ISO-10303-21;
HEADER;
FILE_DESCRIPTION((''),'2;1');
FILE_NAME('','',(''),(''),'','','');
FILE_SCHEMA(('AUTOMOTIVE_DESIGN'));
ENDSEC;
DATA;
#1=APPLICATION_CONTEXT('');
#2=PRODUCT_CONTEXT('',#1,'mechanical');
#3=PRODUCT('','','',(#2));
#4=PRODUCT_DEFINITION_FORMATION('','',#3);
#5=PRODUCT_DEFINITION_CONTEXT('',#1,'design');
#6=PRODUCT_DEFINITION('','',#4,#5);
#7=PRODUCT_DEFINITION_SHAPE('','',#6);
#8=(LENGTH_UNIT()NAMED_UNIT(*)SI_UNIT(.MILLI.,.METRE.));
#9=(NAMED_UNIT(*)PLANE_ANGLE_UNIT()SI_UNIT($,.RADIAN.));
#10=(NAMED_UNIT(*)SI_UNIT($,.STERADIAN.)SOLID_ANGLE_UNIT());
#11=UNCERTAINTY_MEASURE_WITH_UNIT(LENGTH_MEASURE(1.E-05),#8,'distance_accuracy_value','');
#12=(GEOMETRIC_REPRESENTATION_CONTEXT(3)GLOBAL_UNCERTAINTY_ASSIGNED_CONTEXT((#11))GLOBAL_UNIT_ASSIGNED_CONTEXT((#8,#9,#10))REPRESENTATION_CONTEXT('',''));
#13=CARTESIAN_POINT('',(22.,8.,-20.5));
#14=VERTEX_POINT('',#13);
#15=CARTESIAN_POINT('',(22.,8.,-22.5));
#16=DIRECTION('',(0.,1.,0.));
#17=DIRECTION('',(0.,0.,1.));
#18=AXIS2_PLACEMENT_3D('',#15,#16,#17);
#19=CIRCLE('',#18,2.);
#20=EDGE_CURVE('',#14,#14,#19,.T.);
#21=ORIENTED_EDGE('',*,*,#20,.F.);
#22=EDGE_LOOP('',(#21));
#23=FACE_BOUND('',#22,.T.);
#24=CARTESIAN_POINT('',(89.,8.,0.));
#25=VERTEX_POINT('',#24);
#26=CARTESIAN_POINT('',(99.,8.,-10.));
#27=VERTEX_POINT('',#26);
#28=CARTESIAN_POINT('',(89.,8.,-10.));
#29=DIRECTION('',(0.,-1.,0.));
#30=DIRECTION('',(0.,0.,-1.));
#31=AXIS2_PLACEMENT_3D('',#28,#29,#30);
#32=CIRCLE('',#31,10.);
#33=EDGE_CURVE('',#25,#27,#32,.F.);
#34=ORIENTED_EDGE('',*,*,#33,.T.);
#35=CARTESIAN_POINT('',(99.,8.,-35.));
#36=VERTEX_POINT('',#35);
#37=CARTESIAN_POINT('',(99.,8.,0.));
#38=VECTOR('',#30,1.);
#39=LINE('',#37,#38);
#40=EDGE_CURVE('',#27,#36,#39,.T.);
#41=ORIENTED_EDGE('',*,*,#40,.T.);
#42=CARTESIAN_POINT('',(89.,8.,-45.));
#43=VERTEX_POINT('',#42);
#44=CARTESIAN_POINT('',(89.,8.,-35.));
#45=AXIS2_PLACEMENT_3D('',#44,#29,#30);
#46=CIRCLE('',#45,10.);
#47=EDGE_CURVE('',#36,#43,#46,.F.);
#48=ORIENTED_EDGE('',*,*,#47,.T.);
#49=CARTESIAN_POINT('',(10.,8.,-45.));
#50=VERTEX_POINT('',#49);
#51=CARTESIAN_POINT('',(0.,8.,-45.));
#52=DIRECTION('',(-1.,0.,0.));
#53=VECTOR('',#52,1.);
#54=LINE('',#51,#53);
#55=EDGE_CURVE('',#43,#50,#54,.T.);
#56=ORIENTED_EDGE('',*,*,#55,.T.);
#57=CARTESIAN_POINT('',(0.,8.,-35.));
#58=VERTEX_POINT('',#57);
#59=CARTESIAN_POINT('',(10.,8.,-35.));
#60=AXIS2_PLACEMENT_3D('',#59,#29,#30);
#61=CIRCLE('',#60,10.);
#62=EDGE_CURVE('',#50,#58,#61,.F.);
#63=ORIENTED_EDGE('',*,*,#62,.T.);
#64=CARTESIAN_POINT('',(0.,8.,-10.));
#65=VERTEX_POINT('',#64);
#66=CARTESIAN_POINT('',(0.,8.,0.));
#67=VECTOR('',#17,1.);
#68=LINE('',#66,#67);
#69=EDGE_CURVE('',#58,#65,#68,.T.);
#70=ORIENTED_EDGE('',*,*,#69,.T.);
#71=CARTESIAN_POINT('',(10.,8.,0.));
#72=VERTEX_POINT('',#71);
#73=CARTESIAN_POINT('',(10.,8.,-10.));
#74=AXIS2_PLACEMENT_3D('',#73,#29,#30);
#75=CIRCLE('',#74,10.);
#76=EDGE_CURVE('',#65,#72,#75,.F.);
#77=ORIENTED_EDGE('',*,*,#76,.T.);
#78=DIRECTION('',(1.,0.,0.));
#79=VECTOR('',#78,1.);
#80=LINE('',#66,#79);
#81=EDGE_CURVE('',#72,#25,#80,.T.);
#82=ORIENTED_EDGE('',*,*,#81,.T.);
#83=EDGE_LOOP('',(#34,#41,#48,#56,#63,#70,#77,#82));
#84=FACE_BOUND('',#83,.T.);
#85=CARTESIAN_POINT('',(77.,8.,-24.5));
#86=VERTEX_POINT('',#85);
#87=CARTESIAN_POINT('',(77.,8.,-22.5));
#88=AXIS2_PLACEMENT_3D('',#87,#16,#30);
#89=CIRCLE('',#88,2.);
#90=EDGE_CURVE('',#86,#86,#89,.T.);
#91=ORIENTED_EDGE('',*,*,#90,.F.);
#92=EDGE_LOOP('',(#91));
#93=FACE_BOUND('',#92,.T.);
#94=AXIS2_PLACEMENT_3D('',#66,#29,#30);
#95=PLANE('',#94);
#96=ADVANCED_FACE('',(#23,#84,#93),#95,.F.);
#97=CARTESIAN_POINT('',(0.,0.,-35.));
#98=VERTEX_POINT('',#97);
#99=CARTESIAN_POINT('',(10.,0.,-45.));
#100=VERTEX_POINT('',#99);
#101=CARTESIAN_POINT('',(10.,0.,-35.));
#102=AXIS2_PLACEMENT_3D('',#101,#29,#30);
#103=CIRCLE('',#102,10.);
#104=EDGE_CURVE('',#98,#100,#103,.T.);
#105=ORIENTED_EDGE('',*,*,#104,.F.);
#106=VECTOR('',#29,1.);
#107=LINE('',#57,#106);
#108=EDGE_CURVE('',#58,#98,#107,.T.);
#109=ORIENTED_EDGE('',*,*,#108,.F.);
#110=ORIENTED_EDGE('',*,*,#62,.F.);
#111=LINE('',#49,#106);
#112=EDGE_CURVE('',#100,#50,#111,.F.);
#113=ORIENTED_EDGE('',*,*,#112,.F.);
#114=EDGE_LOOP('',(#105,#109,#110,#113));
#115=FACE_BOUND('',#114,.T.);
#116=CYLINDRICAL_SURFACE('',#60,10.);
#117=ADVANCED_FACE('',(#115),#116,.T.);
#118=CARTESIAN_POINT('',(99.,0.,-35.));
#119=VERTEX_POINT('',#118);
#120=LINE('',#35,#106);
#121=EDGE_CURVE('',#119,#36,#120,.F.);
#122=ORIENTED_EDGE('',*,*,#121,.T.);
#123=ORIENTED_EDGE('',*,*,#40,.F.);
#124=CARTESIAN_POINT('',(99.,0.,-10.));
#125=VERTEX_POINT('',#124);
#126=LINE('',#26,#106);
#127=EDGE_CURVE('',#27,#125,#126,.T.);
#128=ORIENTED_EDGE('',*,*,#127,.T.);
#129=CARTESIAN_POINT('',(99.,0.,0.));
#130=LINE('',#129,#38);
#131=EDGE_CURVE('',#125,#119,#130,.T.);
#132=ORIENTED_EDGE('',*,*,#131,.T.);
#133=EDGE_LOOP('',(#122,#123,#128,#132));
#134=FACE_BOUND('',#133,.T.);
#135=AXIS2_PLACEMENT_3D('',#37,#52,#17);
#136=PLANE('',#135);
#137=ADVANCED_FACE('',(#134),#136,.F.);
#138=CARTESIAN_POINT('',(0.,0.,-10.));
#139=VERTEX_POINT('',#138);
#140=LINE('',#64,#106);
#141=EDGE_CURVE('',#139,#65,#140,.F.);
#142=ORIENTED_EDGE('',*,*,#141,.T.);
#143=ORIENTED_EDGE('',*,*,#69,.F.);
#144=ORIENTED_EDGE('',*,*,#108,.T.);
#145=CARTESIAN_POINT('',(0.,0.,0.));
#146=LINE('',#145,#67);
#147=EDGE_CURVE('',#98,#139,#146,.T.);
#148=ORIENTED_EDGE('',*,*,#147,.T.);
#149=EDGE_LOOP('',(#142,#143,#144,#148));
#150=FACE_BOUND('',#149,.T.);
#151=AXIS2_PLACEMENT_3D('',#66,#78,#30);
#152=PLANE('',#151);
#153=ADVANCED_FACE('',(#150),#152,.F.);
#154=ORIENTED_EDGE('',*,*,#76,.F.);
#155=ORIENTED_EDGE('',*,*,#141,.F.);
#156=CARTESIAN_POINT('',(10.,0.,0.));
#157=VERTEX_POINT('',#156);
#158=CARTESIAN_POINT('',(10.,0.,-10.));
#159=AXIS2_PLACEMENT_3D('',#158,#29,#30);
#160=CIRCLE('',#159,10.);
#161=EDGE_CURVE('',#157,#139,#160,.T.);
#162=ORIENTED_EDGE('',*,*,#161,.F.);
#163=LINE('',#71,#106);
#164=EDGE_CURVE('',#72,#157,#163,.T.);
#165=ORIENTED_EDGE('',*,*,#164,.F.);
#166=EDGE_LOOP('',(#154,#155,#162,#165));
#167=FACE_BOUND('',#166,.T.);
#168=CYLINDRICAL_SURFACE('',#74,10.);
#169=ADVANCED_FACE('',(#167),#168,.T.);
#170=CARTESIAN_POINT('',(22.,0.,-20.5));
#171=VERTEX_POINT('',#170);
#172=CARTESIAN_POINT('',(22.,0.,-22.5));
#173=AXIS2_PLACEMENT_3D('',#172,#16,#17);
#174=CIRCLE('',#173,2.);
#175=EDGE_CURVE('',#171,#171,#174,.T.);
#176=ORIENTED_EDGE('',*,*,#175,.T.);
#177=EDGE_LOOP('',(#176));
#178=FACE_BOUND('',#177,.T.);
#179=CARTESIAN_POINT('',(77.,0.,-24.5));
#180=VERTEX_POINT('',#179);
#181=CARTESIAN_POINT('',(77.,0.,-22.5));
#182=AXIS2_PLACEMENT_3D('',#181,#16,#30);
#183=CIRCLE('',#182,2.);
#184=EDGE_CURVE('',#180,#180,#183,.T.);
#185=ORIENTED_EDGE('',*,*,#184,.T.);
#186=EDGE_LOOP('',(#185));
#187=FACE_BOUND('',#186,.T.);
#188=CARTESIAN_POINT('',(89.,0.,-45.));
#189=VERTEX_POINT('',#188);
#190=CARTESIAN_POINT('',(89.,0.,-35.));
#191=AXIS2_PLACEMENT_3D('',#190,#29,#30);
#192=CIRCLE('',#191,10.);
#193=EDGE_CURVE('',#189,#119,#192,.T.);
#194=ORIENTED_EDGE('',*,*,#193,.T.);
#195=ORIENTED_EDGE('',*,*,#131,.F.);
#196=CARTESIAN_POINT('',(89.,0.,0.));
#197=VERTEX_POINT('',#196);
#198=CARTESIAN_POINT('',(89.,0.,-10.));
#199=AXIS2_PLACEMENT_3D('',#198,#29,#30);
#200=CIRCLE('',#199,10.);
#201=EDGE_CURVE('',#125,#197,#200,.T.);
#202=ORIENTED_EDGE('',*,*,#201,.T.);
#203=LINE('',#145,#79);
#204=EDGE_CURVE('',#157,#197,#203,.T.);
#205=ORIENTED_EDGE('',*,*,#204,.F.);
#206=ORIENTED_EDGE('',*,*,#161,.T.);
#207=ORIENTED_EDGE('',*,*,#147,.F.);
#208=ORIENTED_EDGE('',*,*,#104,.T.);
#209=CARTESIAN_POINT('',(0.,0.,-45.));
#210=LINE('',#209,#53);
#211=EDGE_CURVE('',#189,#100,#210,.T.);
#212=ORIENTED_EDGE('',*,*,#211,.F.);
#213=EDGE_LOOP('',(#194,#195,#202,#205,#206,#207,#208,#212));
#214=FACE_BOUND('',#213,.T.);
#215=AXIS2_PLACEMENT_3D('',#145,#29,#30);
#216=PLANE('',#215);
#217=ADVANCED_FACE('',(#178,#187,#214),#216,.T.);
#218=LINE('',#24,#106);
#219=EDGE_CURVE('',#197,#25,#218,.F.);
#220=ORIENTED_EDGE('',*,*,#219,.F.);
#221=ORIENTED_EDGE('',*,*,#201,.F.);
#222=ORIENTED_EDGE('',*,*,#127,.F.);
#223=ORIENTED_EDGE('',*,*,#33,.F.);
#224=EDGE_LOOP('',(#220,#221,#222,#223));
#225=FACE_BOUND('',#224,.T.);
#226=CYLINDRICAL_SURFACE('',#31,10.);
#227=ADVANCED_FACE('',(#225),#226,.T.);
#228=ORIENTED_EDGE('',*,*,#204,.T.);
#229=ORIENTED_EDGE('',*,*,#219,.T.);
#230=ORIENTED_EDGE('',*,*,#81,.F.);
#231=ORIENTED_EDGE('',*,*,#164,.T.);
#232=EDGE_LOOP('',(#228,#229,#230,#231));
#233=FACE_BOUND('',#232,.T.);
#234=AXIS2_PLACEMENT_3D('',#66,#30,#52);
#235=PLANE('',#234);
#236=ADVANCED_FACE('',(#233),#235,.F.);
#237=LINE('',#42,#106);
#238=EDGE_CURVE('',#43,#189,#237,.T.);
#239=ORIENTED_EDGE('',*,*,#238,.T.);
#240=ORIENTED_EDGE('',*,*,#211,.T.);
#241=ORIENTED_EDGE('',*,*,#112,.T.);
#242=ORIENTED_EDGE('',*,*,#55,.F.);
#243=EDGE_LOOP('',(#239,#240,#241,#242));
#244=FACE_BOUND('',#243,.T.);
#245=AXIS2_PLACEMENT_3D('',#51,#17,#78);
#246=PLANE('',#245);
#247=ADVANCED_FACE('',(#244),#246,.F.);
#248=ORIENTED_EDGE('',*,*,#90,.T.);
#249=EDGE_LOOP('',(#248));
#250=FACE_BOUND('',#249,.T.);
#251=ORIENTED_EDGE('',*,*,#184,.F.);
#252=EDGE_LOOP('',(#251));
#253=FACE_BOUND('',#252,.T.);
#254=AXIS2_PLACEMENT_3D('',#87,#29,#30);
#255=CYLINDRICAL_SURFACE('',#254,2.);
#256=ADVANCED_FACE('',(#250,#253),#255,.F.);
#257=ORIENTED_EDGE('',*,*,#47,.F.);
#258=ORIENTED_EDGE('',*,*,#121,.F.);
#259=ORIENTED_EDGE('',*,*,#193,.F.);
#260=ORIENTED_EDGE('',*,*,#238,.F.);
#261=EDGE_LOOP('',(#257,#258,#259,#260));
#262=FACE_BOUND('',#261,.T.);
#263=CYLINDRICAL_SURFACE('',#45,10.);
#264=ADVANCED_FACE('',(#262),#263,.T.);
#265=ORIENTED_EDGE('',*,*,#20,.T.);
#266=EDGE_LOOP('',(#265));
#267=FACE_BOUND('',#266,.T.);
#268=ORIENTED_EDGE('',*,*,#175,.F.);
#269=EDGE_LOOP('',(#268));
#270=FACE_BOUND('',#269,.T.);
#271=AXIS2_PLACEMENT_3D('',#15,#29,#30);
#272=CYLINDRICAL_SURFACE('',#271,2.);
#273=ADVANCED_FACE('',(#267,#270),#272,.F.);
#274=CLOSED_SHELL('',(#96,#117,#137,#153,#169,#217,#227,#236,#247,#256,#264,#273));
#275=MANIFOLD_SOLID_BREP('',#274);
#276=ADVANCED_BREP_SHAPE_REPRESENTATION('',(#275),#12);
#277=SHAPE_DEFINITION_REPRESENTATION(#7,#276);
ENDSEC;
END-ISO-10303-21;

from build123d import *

# Parameters (mm, degrees)
SKETCH1_W           = 99
SKETCH1_H           = 45
SKETCH1_R           = 2
BOSS_EXTRUDE1_DEPTH = 8
FILLET1_R           = 10


with BuildPart() as part:
    # Sketch1 → Boss-Extrude1 (new body)
    with BuildSketch(Plane(origin=(0, 0, 0), x_dir=(1, 0, 0), z_dir=(0, 1, 0))):
        with Locations((49.5, 22.5)):
            Rectangle(SKETCH1_W, SKETCH1_H)
        with Locations(Location((22, 22.5, 0), (0, 0, 270))):
            Circle(SKETCH1_R, mode=Mode.SUBTRACT)
        with Locations(Location((77, 22.5, 0), (0, 0, 90))):
            Circle(SKETCH1_R, mode=Mode.SUBTRACT)
    extrude(amount=BOSS_EXTRUDE1_DEPTH)

    # Fillet1
    fillet1_edges = [part.edges().sort_by_distance(p)[0] for p in [
        (0, 4, -45),
        (99, 4, -45),
        (99, 4, 0),
        (0, 4, 0),
    ]]
    fillet(fillet1_edges, radius=FILLET1_R)


solid = part.part
